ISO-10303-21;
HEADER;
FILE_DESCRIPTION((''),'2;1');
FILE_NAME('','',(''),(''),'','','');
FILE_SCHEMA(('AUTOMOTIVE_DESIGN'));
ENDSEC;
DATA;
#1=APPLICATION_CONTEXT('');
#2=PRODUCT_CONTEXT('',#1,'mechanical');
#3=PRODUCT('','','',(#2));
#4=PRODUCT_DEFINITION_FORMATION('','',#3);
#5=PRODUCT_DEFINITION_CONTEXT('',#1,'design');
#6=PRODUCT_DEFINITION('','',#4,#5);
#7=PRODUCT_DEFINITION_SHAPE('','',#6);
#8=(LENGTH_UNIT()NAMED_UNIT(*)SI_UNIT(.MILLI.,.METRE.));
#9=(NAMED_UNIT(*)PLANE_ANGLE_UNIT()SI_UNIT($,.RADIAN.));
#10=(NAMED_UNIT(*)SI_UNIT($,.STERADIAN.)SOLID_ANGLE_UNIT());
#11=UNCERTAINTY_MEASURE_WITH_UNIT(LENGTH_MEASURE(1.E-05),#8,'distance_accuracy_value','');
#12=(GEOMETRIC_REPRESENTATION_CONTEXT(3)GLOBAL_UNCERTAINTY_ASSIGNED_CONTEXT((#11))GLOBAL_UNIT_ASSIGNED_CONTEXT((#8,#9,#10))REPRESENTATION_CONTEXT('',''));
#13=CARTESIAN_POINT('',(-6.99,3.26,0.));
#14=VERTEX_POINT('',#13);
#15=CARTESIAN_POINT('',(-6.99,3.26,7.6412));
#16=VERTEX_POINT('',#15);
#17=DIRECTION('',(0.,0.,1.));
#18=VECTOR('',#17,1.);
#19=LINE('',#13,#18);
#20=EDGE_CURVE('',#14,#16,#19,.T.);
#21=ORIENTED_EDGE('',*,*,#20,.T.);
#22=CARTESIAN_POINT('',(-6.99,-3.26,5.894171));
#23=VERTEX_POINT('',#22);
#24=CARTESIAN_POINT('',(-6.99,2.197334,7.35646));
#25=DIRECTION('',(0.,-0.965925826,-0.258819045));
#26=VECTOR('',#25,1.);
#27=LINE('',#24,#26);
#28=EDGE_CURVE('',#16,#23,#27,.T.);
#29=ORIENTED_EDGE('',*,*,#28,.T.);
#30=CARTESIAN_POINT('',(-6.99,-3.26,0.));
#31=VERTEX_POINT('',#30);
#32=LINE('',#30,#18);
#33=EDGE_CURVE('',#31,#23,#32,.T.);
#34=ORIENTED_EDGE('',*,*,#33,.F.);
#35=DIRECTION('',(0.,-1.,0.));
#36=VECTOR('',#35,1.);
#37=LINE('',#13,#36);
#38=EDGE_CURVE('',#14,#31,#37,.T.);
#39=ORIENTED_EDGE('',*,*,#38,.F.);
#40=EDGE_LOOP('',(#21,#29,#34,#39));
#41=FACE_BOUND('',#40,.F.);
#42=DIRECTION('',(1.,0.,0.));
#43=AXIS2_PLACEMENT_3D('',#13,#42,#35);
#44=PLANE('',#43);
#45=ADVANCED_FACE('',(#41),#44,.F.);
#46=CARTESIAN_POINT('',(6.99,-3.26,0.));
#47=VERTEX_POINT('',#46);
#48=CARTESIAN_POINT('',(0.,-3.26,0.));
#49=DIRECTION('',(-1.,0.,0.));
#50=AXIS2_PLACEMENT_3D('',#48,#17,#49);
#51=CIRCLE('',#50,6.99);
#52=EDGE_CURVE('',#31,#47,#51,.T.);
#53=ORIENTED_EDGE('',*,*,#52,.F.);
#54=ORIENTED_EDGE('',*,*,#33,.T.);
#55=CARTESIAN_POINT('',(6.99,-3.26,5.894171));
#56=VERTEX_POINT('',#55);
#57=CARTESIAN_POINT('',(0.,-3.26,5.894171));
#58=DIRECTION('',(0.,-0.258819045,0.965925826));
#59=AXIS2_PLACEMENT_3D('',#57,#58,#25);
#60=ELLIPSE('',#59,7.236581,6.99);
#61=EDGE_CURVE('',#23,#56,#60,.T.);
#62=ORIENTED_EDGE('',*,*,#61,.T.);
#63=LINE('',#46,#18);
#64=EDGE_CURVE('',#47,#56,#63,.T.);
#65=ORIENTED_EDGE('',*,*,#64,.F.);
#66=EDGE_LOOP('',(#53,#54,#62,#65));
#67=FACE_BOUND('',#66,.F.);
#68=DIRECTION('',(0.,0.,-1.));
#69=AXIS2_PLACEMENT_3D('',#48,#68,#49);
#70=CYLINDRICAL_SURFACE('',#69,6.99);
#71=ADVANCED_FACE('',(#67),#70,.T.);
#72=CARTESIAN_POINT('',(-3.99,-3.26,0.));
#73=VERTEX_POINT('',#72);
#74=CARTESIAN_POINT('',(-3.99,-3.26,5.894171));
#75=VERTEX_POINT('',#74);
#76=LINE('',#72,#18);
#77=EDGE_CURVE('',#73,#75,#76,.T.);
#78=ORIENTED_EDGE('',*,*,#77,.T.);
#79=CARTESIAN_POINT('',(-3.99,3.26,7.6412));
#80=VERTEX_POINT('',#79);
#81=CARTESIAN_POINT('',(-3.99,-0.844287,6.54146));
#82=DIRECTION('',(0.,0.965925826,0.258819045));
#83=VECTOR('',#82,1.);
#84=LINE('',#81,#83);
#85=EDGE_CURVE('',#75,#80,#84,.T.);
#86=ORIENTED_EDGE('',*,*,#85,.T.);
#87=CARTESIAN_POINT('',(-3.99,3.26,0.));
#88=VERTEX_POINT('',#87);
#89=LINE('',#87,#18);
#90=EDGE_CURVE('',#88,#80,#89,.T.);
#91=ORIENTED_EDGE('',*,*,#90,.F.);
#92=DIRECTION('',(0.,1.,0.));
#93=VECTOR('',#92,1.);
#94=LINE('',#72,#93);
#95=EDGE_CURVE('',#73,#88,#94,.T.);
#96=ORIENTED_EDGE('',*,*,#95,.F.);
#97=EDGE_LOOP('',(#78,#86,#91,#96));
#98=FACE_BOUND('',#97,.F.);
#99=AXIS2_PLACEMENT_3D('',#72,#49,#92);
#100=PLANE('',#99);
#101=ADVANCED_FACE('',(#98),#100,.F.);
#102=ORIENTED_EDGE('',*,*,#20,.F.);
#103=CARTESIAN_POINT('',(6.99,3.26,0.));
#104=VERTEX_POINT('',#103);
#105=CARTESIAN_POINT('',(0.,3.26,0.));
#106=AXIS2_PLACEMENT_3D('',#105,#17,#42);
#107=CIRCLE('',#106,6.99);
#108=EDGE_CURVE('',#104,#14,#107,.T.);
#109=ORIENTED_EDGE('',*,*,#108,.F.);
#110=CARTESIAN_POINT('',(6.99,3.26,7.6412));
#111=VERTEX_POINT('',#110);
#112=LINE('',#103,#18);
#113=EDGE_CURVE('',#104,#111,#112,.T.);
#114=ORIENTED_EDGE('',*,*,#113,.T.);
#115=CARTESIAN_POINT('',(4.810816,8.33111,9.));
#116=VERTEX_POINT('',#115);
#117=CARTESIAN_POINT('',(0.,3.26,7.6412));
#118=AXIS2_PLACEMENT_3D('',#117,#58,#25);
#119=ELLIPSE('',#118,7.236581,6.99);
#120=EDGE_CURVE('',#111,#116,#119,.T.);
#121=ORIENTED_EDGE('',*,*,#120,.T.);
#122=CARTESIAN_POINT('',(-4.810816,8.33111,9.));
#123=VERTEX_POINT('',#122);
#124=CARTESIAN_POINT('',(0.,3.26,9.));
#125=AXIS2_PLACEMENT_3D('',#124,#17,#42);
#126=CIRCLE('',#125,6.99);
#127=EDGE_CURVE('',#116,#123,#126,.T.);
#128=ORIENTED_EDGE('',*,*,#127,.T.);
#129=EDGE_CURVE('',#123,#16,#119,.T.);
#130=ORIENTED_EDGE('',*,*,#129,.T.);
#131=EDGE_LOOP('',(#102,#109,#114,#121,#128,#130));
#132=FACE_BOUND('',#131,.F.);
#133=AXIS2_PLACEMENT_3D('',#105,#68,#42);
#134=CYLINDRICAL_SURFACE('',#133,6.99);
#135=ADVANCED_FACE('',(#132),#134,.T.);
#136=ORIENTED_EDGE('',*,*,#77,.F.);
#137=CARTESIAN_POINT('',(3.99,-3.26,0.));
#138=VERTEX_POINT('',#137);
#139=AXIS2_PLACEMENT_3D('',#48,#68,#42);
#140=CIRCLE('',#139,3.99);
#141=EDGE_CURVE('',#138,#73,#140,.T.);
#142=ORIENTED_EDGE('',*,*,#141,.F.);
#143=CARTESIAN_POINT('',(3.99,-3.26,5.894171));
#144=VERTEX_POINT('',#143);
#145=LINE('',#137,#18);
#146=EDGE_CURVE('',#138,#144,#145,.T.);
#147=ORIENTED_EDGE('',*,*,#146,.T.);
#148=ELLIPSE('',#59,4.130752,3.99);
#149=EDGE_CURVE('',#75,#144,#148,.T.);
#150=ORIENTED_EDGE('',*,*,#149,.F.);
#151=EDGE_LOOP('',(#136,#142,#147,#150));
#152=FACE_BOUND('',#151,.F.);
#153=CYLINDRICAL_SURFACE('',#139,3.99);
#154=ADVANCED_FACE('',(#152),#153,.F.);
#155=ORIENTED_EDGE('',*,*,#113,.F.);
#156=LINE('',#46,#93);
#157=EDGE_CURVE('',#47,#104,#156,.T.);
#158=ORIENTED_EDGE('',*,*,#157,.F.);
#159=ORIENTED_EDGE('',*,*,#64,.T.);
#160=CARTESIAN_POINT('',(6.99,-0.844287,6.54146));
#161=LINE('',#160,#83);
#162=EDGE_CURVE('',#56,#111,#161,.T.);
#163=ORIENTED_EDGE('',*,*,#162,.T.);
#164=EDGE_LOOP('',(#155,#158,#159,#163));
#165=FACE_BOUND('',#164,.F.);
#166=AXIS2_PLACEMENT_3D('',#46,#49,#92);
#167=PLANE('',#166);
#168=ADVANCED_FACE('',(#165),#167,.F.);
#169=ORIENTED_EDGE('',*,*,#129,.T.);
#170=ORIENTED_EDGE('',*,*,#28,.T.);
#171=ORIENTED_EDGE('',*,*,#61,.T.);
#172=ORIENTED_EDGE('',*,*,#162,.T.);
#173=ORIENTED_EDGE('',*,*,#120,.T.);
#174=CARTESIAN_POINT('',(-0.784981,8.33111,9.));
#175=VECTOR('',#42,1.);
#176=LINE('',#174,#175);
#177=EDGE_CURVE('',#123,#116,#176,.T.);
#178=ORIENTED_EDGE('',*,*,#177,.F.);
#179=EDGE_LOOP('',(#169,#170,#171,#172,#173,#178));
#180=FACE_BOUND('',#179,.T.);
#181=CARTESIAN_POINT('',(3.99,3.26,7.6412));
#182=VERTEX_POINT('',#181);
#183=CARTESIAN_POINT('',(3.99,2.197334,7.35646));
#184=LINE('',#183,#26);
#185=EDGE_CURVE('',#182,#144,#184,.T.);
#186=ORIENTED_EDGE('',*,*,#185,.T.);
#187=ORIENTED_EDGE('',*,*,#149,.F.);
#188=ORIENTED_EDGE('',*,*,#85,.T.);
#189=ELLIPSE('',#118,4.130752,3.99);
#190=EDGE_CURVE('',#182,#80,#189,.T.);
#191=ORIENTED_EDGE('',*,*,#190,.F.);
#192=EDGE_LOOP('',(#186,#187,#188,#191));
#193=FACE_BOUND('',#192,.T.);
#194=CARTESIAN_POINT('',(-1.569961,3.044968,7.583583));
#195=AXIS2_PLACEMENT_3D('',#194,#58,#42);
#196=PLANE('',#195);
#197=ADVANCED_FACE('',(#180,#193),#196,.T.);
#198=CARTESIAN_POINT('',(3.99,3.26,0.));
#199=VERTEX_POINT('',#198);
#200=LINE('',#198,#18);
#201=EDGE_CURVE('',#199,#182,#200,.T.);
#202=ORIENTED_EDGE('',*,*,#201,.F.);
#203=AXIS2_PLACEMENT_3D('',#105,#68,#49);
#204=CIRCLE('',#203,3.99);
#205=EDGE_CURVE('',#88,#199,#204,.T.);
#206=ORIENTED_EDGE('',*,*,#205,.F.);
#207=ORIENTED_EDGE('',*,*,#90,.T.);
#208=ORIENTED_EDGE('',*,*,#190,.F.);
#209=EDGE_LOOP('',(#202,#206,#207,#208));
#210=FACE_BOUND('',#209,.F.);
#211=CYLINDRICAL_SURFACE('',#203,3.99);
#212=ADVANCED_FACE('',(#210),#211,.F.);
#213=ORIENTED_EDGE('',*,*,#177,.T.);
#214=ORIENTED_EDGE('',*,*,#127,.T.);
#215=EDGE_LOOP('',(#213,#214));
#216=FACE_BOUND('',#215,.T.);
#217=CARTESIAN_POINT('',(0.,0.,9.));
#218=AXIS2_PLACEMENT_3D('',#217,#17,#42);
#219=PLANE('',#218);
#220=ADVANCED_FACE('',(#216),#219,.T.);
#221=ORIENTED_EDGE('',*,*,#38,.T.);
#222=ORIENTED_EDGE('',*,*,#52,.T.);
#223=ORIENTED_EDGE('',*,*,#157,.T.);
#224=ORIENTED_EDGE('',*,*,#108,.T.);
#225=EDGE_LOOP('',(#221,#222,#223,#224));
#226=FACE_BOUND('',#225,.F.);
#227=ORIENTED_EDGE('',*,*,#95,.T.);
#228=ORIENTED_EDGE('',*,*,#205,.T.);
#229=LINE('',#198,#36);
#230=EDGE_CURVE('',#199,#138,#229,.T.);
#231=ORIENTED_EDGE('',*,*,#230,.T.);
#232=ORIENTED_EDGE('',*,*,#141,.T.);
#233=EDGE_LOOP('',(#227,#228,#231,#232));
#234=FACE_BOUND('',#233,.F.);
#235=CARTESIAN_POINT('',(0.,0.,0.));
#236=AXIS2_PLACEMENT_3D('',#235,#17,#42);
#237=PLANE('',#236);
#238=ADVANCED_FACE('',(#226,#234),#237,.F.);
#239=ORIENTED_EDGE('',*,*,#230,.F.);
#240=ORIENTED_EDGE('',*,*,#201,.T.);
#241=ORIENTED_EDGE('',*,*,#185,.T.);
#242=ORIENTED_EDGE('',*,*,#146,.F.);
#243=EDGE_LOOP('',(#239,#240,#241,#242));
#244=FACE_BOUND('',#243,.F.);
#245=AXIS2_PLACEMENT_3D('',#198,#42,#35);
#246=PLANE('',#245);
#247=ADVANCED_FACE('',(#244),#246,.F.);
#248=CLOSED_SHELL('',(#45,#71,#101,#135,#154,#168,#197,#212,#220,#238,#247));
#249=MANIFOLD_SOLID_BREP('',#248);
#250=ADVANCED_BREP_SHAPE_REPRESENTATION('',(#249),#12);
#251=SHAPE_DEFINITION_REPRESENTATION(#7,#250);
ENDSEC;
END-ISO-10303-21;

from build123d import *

# Parameters (mm, degrees)
F1_DEPTH = 9
F5_W     = 42.8709182888
F5_H     = 32.7420830727
F6_DEPTH = 13


with BuildPart() as f1:
    # F0 (on Top) → F1 (new body)
    with BuildSketch(Plane.XY):
        with BuildLine():
            ThreePointArc((-6.9900002831, -3.26), (0, -10.2500002831), (6.9900002831, -3.26))
            Line((6.9900002831, -3.26), (6.9900002831, 0))
            Line((6.9900002831, 0), (6.9900002831, 3.26))
            ThreePointArc((6.9900002831, 3.26), (0, 10.2500002831), (-6.9900002831, 3.26))
            Line((-6.9900002831, 3.26), (-6.9900002831, 0))
            Line((-6.9900002831, 0), (-6.9900002831, -3.26))
        make_face()
        with BuildLine():
            ThreePointArc((-3.99, 3.26), (0, 7.25), (3.99, 3.26))
            Line((3.99, 3.26), (3.99, 0))
            Line((3.99, 0), (3.99, -3.26))
            ThreePointArc((3.99, -3.26), (0, -7.25), (-3.99, -3.26))
            Line((-3.99, -3.26), (-3.99, 0))
            Line((-3.99, 0), (-3.99, 3.26))
        make_face(mode=Mode.SUBTRACT)
    extrude(amount=F1_DEPTH)

    # F5 (on offset) → F6 (cut)
    with BuildSketch(Plane(origin=(0, -5.0565690429, 18.8713725799), x_dir=(1, 0, 0), z_dir=(0, -0.2588190451, 0.9659258263))):
        with Locations((-1.5699611977, 4.9039889127)):
            Rectangle(F5_W, F5_H)
    extrude(amount=-F6_DEPTH, mode=Mode.SUBTRACT)


solid = f1.part
